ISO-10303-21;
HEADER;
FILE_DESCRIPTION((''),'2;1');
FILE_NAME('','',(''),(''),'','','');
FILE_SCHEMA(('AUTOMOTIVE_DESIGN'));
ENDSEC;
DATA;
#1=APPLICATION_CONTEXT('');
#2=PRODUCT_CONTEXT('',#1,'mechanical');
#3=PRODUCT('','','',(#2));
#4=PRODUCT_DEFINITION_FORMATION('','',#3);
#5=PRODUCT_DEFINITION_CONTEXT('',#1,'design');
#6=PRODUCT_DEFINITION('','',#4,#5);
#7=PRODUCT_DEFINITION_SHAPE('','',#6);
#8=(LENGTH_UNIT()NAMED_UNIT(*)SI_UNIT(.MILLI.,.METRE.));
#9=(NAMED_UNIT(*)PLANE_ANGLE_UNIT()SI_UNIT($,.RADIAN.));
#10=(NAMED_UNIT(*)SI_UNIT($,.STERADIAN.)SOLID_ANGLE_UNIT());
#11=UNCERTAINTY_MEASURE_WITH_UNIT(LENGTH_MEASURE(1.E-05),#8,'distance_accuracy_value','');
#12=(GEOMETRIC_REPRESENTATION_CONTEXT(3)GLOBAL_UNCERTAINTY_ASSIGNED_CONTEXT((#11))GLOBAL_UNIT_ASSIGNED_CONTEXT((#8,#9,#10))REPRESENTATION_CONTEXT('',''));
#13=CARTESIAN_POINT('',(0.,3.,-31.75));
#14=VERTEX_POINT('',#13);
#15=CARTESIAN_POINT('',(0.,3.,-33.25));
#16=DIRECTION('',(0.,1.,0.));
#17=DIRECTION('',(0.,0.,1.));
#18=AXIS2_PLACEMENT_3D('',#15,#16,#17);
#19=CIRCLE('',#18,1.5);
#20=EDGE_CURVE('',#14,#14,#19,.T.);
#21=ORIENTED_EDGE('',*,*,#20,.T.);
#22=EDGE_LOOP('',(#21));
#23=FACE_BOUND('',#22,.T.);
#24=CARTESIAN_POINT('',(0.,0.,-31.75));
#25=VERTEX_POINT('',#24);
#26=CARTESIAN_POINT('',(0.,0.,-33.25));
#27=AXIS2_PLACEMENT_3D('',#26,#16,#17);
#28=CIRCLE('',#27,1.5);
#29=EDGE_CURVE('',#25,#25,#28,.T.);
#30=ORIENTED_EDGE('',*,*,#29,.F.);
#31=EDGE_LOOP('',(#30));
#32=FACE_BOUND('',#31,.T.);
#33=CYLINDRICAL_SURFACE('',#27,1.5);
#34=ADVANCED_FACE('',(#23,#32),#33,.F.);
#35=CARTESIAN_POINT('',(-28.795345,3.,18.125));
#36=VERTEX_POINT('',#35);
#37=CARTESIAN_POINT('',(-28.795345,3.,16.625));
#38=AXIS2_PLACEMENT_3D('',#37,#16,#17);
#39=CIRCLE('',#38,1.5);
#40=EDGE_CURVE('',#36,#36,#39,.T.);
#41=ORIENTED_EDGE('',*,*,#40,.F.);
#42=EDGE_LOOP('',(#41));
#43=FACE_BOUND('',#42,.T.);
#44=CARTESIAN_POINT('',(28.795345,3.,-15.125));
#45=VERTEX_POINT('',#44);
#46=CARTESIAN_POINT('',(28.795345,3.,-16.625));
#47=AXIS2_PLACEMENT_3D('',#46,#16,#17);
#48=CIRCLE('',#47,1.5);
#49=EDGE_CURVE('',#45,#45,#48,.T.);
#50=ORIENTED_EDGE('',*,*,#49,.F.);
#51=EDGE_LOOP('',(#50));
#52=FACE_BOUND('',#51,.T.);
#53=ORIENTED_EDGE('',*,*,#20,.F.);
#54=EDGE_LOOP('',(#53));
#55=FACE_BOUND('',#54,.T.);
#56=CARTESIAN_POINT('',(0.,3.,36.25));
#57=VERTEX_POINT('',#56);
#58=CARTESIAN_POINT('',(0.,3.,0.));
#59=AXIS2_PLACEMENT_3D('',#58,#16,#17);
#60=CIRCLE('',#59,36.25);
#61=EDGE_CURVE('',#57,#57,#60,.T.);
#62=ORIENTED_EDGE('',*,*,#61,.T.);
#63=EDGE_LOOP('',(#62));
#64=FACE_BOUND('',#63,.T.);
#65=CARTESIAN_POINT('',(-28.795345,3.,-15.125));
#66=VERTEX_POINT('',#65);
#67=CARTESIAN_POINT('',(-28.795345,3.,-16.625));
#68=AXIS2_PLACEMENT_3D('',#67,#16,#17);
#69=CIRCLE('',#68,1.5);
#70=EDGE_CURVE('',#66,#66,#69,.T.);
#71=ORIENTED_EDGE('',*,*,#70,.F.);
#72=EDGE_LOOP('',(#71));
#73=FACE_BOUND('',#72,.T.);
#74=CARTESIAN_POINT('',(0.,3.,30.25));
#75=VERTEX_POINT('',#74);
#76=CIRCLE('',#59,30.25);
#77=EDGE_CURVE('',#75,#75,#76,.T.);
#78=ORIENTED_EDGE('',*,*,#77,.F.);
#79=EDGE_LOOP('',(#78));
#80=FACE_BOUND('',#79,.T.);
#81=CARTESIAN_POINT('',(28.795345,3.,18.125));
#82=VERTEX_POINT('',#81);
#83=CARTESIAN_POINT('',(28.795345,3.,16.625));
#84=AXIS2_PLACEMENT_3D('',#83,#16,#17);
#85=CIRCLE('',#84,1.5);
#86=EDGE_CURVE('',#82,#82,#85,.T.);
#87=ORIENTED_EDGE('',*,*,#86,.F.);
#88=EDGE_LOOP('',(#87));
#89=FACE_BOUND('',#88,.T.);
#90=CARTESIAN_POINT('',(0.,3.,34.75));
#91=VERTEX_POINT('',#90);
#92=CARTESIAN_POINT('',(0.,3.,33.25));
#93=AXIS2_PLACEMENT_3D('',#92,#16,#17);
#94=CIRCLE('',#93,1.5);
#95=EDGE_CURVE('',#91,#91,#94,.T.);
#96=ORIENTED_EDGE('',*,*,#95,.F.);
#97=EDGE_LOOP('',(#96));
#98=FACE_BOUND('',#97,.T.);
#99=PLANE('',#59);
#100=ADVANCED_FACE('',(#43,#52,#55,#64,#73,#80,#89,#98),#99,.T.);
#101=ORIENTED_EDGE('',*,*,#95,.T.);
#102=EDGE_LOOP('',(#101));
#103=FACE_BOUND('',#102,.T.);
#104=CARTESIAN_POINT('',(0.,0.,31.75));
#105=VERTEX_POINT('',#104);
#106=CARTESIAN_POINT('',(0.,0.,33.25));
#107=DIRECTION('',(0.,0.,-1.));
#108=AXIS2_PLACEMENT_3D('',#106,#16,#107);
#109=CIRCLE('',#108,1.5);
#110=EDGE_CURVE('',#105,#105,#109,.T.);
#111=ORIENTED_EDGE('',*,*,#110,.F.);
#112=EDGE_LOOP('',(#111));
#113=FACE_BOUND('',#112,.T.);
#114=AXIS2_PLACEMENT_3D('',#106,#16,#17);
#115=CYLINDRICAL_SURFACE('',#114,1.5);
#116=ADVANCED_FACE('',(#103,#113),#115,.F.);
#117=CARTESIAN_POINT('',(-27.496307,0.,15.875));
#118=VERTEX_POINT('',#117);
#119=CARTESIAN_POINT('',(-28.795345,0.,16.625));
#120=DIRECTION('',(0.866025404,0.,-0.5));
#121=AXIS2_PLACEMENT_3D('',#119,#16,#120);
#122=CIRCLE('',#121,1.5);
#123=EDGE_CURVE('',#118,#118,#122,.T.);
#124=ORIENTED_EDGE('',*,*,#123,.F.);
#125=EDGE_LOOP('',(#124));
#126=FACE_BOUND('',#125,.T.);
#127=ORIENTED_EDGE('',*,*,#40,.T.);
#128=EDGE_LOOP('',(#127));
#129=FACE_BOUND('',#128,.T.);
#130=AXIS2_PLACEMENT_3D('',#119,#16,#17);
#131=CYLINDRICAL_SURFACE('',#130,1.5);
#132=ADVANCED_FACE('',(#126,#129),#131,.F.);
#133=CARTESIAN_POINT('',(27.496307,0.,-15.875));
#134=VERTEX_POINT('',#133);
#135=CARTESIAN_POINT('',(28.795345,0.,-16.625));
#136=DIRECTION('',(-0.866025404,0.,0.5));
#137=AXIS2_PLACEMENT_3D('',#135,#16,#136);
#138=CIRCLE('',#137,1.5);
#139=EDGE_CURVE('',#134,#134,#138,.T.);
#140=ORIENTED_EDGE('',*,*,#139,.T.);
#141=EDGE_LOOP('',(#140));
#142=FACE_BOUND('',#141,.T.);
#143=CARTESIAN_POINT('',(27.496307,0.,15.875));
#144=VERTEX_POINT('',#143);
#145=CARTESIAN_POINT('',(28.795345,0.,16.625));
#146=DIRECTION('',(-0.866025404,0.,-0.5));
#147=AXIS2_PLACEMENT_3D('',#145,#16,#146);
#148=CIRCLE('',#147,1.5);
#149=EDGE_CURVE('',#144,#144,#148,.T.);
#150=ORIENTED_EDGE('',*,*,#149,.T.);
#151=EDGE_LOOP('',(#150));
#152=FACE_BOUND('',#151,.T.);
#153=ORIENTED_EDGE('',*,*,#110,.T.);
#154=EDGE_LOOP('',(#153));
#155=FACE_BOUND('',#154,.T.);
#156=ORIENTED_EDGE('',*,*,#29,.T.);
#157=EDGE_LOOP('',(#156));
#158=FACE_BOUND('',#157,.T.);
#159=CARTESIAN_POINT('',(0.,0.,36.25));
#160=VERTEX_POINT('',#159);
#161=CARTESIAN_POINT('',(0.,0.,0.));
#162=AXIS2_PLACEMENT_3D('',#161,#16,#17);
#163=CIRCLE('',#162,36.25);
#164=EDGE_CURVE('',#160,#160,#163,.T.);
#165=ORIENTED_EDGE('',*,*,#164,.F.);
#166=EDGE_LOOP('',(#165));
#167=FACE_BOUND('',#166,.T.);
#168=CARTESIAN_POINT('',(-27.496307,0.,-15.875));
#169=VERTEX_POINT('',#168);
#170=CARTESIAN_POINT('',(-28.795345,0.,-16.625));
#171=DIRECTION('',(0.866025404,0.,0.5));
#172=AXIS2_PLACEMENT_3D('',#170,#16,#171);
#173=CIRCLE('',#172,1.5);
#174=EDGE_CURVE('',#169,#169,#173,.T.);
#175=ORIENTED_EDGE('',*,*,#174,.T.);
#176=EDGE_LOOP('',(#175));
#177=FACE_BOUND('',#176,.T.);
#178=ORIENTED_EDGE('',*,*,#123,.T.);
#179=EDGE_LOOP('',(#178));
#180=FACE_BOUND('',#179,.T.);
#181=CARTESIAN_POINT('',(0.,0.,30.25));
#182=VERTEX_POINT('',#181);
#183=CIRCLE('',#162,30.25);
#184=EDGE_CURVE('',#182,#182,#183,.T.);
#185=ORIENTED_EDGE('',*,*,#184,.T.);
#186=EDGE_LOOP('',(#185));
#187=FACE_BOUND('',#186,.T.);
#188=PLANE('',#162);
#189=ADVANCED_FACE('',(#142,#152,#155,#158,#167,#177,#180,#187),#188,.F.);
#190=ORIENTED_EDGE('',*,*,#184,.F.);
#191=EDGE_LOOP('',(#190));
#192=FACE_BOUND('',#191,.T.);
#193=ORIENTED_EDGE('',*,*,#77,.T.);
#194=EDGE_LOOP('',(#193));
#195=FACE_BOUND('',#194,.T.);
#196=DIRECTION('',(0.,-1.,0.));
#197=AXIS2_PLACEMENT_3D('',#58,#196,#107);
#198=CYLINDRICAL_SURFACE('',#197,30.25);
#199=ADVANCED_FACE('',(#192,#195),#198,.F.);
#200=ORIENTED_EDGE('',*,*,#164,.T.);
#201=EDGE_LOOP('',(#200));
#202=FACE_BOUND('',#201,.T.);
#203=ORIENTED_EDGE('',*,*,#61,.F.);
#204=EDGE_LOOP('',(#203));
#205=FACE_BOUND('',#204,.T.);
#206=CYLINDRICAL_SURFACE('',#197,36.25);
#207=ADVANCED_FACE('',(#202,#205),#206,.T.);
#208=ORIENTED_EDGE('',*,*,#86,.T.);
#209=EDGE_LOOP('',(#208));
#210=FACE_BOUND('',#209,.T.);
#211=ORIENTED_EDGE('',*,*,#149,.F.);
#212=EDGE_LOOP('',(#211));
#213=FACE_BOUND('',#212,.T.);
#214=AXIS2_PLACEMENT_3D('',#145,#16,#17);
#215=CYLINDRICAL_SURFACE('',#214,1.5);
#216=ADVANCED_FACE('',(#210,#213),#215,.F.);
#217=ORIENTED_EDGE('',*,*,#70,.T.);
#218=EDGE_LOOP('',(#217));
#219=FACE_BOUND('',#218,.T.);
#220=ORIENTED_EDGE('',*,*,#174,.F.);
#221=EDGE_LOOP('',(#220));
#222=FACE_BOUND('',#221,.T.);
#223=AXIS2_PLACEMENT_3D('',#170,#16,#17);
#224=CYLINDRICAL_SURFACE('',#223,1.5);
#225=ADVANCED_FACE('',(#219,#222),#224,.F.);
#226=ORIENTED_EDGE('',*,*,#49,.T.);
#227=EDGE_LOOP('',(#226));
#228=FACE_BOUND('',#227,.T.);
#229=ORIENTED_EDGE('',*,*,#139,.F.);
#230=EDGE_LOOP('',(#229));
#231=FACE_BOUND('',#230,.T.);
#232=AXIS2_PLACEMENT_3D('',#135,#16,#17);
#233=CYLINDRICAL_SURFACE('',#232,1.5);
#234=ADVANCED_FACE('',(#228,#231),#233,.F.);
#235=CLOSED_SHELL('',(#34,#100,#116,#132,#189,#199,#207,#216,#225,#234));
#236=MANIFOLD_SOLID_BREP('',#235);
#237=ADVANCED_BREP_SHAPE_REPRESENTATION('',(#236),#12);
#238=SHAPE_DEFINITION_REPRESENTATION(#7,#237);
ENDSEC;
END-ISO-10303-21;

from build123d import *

# Parameters (mm, degrees)
SKETCH1_R           = 36.25
SKETCH1_R_2         = 30.25
BOSS_EXTRUDE1_DEPTH = 3
SKETCH2_R           = 1.5
CUT_EXTRUDE1_DEPTH  = 52.352945388
CIRPATTERN1_COUNT   = 6


with BuildPart() as part:
    # Sketch1 → Boss-Extrude1 (new body)
    with BuildSketch(Plane(origin=(0, 0, 0), x_dir=(1, 0, 0), z_dir=(0, 1, 0))):
        with Locations(Location((0, 0, 0), (0, 0, 270))):
            Circle(SKETCH1_R)
        with Locations(Location((0, 0, 0), (0, 0, 270))):
            Circle(SKETCH1_R_2, mode=Mode.SUBTRACT)
    extrude(amount=BOSS_EXTRUDE1_DEPTH)

    # Sketch2 → Cut-Extrude1 (cut, symmetric)
    with BuildSketch(Plane(origin=(0, 3, 0), x_dir=(1, 0, 0), z_dir=(0, 1, 0))):
        with Locations(Location((0, 33.25, 0), (0, 0, 270))):
            Circle(SKETCH2_R)
    cut_extrude1 = extrude(amount=CUT_EXTRUDE1_DEPTH, both=True, mode=Mode.SUBTRACT)

    # CirPattern1: Cut-Extrude1 ×6 about axis
    cirpattern1_axis = Axis((0, 0, 0), (0, 1, 0))
    for i in range(1, CIRPATTERN1_COUNT):
        add(cut_extrude1.rotate(cirpattern1_axis, i * 360 / CIRPATTERN1_COUNT), mode=Mode.SUBTRACT)


solid = part.part
